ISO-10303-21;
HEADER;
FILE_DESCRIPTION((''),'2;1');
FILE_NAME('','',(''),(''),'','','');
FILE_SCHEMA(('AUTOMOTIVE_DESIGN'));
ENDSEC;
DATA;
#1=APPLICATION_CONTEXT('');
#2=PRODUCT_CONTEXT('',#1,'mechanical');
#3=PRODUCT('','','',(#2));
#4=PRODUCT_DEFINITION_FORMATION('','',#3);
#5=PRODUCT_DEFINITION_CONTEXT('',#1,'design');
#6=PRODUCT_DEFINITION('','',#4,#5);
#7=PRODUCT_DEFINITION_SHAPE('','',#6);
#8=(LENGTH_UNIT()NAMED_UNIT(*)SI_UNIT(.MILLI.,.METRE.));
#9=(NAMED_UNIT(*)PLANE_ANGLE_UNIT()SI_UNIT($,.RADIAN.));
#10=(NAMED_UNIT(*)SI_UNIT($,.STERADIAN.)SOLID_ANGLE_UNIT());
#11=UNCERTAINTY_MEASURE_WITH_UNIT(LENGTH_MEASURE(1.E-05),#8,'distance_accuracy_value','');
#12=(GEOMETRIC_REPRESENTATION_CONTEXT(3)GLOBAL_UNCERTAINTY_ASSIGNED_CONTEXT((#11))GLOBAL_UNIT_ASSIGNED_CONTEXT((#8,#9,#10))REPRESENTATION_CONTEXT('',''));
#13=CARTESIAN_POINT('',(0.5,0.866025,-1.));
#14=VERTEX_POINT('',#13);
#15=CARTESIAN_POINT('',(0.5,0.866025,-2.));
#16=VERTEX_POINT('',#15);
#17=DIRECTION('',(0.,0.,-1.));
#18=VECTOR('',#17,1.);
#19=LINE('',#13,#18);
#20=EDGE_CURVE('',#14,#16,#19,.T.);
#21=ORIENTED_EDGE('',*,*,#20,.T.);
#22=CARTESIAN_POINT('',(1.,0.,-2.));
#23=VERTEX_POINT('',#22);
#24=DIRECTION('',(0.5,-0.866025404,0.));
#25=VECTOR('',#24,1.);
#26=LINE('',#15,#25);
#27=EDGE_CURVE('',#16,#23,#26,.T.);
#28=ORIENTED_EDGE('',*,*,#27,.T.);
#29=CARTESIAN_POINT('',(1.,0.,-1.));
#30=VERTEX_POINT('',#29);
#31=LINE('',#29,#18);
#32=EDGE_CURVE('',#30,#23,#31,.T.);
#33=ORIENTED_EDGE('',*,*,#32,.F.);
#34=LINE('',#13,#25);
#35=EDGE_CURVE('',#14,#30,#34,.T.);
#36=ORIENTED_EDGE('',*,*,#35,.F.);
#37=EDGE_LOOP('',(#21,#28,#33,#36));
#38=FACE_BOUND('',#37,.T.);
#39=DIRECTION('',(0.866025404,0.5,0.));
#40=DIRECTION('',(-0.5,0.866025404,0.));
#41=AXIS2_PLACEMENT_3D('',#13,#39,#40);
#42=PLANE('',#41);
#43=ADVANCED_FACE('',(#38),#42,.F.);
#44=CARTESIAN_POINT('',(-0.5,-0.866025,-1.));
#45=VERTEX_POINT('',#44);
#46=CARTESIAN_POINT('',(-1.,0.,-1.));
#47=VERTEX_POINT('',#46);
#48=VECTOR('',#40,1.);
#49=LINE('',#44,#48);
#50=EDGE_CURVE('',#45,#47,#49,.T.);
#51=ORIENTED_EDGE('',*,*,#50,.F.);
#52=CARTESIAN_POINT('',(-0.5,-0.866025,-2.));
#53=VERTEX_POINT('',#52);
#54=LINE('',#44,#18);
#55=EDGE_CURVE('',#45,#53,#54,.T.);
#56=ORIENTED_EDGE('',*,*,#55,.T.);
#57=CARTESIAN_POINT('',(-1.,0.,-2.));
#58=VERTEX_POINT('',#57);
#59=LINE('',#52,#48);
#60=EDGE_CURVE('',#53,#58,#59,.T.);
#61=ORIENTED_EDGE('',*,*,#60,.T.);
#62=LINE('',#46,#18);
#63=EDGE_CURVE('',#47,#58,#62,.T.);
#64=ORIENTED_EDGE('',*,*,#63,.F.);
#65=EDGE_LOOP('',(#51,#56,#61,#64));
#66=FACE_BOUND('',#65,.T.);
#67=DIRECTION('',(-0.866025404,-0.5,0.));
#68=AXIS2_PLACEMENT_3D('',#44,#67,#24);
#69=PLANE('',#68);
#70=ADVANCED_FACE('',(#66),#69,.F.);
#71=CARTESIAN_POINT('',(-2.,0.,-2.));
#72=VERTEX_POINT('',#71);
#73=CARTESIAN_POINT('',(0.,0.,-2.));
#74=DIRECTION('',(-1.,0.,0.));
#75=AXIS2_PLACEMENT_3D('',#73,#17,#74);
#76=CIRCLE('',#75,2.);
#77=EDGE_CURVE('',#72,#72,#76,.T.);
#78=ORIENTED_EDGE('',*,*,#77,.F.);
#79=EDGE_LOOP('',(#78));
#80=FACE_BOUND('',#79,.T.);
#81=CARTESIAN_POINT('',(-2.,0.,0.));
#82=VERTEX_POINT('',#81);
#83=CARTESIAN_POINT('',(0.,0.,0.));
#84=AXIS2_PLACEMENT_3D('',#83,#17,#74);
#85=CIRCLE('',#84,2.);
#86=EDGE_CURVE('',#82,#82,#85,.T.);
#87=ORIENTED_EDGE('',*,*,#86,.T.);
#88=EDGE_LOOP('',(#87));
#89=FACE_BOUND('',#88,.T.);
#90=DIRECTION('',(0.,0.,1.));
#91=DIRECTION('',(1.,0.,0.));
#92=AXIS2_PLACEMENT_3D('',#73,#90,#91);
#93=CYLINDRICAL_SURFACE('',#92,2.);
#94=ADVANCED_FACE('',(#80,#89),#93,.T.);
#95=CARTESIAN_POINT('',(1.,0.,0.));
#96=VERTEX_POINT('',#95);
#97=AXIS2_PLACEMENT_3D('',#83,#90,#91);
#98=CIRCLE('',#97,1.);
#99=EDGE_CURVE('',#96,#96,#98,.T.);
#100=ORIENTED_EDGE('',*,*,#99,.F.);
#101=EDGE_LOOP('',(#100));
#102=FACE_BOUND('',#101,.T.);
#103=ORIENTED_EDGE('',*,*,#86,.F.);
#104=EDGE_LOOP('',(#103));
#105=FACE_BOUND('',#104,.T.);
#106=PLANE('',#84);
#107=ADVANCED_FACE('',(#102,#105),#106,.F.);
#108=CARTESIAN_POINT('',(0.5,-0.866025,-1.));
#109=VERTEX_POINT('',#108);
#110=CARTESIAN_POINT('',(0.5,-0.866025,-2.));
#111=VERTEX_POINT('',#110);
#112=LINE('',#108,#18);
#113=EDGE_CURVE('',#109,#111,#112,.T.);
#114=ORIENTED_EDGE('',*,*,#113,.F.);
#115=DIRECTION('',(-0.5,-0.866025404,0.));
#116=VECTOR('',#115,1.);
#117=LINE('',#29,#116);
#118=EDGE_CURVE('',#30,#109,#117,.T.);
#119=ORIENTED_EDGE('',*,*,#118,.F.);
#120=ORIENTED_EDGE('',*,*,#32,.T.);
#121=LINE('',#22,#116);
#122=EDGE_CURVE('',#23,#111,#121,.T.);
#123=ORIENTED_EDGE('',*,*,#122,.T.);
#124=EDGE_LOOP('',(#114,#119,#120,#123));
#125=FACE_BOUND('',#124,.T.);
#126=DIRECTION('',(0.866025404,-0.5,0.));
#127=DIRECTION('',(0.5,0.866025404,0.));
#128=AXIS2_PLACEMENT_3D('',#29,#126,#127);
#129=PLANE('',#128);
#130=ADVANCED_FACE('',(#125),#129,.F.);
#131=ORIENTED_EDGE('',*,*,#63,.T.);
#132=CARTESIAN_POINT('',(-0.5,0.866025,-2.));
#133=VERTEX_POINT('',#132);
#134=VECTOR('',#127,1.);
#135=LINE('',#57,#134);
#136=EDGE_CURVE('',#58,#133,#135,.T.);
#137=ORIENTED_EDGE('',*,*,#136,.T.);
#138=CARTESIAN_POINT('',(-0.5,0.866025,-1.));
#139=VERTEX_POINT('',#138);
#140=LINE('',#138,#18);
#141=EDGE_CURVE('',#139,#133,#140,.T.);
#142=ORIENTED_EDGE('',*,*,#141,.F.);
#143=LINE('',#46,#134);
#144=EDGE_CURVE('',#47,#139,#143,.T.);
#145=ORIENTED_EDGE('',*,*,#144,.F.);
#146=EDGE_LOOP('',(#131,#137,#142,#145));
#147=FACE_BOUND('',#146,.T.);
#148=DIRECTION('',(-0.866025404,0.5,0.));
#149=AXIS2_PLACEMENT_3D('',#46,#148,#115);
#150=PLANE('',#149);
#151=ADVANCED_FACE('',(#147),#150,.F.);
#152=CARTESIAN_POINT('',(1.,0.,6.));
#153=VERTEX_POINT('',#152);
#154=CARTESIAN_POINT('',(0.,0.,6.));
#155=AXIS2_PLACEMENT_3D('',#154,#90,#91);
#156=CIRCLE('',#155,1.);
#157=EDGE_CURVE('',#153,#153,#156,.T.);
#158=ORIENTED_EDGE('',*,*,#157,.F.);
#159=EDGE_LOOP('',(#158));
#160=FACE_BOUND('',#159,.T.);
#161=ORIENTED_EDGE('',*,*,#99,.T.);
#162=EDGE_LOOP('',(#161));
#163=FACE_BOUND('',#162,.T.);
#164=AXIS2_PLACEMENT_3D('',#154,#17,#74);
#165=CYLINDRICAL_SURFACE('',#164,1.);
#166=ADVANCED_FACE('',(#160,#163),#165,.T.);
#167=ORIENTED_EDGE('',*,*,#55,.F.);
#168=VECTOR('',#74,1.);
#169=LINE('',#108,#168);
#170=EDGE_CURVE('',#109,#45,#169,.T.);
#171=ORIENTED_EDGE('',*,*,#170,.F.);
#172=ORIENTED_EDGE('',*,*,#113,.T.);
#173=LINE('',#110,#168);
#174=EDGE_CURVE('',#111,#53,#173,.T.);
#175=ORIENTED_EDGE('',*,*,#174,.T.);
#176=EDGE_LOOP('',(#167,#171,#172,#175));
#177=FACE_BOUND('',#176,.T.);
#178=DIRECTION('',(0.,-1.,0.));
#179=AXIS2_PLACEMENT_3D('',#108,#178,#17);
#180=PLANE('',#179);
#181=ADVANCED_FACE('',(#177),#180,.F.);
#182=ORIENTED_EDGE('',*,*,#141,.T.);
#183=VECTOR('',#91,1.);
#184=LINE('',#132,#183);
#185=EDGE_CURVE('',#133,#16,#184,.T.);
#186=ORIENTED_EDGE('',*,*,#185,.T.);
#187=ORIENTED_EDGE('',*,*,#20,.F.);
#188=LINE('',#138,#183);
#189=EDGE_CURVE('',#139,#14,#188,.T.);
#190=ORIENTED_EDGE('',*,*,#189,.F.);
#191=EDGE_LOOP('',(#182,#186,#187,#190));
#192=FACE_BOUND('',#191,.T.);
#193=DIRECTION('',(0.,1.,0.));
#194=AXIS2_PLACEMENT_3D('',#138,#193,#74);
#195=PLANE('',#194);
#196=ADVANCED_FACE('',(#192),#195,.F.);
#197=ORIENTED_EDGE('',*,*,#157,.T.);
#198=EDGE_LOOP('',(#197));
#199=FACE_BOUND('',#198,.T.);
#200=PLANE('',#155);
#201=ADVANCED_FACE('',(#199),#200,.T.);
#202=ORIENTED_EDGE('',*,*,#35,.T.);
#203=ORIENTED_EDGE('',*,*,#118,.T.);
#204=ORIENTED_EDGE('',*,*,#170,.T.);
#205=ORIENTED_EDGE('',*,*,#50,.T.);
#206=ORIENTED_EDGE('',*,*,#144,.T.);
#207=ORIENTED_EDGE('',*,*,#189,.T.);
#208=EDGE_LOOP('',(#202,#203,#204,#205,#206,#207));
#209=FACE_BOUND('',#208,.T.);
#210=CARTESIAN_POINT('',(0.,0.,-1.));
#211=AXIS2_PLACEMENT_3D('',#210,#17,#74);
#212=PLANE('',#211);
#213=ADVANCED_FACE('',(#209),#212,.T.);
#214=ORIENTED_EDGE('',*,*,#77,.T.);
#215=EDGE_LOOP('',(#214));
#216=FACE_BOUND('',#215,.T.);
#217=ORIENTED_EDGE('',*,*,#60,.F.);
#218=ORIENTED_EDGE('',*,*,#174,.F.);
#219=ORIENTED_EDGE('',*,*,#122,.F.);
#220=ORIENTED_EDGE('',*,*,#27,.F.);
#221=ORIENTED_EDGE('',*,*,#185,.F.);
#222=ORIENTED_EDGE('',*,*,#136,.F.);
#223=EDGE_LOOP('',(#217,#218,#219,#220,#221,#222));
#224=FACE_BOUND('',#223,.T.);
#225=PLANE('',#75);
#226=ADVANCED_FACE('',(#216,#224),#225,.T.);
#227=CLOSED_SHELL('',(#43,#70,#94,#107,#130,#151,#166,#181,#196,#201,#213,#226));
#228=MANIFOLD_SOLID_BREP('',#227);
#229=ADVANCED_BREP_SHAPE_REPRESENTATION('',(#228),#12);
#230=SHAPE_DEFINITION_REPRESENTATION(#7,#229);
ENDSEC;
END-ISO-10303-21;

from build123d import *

# Parameters (mm, degrees)
SKETCH_1_R          = 1
EXTRUDE_1_DEPTH     = 6
SKETCH_2_R          = 2
EXTRUDE_2_DEPTH     = 2
CUT_EXTRUDE_1_DEPTH = 1


with BuildPart() as part:
    # 草图1 → 凸台-拉伸1 (new body)
    with BuildSketch(Plane.XY):
        Circle(SKETCH_1_R)
    extrude(amount=EXTRUDE_1_DEPTH)

    # 草图2 → 凸台-拉伸2 (add)
    with BuildSketch(Plane(origin=(0, 0, 0), x_dir=(-1, 0, 0), z_dir=(0, 0, -1))):
        Circle(SKETCH_2_R)
    extrude(amount=EXTRUDE_2_DEPTH)

    # 草图3 → 切除-拉伸1 (cut)
    with BuildSketch(Plane(origin=(0, 0, -2), x_dir=(-1, 0, 0), z_dir=(0, 0, -1))):
        Polygon((1, 0), (0.5, 0.866025404), (-0.5, 0.866025404), (-1, 0), (-0.5, -0.866025404), (0.5, -0.866025404), align=None)
    extrude(amount=-CUT_EXTRUDE_1_DEPTH, mode=Mode.SUBTRACT)


solid = part.part
